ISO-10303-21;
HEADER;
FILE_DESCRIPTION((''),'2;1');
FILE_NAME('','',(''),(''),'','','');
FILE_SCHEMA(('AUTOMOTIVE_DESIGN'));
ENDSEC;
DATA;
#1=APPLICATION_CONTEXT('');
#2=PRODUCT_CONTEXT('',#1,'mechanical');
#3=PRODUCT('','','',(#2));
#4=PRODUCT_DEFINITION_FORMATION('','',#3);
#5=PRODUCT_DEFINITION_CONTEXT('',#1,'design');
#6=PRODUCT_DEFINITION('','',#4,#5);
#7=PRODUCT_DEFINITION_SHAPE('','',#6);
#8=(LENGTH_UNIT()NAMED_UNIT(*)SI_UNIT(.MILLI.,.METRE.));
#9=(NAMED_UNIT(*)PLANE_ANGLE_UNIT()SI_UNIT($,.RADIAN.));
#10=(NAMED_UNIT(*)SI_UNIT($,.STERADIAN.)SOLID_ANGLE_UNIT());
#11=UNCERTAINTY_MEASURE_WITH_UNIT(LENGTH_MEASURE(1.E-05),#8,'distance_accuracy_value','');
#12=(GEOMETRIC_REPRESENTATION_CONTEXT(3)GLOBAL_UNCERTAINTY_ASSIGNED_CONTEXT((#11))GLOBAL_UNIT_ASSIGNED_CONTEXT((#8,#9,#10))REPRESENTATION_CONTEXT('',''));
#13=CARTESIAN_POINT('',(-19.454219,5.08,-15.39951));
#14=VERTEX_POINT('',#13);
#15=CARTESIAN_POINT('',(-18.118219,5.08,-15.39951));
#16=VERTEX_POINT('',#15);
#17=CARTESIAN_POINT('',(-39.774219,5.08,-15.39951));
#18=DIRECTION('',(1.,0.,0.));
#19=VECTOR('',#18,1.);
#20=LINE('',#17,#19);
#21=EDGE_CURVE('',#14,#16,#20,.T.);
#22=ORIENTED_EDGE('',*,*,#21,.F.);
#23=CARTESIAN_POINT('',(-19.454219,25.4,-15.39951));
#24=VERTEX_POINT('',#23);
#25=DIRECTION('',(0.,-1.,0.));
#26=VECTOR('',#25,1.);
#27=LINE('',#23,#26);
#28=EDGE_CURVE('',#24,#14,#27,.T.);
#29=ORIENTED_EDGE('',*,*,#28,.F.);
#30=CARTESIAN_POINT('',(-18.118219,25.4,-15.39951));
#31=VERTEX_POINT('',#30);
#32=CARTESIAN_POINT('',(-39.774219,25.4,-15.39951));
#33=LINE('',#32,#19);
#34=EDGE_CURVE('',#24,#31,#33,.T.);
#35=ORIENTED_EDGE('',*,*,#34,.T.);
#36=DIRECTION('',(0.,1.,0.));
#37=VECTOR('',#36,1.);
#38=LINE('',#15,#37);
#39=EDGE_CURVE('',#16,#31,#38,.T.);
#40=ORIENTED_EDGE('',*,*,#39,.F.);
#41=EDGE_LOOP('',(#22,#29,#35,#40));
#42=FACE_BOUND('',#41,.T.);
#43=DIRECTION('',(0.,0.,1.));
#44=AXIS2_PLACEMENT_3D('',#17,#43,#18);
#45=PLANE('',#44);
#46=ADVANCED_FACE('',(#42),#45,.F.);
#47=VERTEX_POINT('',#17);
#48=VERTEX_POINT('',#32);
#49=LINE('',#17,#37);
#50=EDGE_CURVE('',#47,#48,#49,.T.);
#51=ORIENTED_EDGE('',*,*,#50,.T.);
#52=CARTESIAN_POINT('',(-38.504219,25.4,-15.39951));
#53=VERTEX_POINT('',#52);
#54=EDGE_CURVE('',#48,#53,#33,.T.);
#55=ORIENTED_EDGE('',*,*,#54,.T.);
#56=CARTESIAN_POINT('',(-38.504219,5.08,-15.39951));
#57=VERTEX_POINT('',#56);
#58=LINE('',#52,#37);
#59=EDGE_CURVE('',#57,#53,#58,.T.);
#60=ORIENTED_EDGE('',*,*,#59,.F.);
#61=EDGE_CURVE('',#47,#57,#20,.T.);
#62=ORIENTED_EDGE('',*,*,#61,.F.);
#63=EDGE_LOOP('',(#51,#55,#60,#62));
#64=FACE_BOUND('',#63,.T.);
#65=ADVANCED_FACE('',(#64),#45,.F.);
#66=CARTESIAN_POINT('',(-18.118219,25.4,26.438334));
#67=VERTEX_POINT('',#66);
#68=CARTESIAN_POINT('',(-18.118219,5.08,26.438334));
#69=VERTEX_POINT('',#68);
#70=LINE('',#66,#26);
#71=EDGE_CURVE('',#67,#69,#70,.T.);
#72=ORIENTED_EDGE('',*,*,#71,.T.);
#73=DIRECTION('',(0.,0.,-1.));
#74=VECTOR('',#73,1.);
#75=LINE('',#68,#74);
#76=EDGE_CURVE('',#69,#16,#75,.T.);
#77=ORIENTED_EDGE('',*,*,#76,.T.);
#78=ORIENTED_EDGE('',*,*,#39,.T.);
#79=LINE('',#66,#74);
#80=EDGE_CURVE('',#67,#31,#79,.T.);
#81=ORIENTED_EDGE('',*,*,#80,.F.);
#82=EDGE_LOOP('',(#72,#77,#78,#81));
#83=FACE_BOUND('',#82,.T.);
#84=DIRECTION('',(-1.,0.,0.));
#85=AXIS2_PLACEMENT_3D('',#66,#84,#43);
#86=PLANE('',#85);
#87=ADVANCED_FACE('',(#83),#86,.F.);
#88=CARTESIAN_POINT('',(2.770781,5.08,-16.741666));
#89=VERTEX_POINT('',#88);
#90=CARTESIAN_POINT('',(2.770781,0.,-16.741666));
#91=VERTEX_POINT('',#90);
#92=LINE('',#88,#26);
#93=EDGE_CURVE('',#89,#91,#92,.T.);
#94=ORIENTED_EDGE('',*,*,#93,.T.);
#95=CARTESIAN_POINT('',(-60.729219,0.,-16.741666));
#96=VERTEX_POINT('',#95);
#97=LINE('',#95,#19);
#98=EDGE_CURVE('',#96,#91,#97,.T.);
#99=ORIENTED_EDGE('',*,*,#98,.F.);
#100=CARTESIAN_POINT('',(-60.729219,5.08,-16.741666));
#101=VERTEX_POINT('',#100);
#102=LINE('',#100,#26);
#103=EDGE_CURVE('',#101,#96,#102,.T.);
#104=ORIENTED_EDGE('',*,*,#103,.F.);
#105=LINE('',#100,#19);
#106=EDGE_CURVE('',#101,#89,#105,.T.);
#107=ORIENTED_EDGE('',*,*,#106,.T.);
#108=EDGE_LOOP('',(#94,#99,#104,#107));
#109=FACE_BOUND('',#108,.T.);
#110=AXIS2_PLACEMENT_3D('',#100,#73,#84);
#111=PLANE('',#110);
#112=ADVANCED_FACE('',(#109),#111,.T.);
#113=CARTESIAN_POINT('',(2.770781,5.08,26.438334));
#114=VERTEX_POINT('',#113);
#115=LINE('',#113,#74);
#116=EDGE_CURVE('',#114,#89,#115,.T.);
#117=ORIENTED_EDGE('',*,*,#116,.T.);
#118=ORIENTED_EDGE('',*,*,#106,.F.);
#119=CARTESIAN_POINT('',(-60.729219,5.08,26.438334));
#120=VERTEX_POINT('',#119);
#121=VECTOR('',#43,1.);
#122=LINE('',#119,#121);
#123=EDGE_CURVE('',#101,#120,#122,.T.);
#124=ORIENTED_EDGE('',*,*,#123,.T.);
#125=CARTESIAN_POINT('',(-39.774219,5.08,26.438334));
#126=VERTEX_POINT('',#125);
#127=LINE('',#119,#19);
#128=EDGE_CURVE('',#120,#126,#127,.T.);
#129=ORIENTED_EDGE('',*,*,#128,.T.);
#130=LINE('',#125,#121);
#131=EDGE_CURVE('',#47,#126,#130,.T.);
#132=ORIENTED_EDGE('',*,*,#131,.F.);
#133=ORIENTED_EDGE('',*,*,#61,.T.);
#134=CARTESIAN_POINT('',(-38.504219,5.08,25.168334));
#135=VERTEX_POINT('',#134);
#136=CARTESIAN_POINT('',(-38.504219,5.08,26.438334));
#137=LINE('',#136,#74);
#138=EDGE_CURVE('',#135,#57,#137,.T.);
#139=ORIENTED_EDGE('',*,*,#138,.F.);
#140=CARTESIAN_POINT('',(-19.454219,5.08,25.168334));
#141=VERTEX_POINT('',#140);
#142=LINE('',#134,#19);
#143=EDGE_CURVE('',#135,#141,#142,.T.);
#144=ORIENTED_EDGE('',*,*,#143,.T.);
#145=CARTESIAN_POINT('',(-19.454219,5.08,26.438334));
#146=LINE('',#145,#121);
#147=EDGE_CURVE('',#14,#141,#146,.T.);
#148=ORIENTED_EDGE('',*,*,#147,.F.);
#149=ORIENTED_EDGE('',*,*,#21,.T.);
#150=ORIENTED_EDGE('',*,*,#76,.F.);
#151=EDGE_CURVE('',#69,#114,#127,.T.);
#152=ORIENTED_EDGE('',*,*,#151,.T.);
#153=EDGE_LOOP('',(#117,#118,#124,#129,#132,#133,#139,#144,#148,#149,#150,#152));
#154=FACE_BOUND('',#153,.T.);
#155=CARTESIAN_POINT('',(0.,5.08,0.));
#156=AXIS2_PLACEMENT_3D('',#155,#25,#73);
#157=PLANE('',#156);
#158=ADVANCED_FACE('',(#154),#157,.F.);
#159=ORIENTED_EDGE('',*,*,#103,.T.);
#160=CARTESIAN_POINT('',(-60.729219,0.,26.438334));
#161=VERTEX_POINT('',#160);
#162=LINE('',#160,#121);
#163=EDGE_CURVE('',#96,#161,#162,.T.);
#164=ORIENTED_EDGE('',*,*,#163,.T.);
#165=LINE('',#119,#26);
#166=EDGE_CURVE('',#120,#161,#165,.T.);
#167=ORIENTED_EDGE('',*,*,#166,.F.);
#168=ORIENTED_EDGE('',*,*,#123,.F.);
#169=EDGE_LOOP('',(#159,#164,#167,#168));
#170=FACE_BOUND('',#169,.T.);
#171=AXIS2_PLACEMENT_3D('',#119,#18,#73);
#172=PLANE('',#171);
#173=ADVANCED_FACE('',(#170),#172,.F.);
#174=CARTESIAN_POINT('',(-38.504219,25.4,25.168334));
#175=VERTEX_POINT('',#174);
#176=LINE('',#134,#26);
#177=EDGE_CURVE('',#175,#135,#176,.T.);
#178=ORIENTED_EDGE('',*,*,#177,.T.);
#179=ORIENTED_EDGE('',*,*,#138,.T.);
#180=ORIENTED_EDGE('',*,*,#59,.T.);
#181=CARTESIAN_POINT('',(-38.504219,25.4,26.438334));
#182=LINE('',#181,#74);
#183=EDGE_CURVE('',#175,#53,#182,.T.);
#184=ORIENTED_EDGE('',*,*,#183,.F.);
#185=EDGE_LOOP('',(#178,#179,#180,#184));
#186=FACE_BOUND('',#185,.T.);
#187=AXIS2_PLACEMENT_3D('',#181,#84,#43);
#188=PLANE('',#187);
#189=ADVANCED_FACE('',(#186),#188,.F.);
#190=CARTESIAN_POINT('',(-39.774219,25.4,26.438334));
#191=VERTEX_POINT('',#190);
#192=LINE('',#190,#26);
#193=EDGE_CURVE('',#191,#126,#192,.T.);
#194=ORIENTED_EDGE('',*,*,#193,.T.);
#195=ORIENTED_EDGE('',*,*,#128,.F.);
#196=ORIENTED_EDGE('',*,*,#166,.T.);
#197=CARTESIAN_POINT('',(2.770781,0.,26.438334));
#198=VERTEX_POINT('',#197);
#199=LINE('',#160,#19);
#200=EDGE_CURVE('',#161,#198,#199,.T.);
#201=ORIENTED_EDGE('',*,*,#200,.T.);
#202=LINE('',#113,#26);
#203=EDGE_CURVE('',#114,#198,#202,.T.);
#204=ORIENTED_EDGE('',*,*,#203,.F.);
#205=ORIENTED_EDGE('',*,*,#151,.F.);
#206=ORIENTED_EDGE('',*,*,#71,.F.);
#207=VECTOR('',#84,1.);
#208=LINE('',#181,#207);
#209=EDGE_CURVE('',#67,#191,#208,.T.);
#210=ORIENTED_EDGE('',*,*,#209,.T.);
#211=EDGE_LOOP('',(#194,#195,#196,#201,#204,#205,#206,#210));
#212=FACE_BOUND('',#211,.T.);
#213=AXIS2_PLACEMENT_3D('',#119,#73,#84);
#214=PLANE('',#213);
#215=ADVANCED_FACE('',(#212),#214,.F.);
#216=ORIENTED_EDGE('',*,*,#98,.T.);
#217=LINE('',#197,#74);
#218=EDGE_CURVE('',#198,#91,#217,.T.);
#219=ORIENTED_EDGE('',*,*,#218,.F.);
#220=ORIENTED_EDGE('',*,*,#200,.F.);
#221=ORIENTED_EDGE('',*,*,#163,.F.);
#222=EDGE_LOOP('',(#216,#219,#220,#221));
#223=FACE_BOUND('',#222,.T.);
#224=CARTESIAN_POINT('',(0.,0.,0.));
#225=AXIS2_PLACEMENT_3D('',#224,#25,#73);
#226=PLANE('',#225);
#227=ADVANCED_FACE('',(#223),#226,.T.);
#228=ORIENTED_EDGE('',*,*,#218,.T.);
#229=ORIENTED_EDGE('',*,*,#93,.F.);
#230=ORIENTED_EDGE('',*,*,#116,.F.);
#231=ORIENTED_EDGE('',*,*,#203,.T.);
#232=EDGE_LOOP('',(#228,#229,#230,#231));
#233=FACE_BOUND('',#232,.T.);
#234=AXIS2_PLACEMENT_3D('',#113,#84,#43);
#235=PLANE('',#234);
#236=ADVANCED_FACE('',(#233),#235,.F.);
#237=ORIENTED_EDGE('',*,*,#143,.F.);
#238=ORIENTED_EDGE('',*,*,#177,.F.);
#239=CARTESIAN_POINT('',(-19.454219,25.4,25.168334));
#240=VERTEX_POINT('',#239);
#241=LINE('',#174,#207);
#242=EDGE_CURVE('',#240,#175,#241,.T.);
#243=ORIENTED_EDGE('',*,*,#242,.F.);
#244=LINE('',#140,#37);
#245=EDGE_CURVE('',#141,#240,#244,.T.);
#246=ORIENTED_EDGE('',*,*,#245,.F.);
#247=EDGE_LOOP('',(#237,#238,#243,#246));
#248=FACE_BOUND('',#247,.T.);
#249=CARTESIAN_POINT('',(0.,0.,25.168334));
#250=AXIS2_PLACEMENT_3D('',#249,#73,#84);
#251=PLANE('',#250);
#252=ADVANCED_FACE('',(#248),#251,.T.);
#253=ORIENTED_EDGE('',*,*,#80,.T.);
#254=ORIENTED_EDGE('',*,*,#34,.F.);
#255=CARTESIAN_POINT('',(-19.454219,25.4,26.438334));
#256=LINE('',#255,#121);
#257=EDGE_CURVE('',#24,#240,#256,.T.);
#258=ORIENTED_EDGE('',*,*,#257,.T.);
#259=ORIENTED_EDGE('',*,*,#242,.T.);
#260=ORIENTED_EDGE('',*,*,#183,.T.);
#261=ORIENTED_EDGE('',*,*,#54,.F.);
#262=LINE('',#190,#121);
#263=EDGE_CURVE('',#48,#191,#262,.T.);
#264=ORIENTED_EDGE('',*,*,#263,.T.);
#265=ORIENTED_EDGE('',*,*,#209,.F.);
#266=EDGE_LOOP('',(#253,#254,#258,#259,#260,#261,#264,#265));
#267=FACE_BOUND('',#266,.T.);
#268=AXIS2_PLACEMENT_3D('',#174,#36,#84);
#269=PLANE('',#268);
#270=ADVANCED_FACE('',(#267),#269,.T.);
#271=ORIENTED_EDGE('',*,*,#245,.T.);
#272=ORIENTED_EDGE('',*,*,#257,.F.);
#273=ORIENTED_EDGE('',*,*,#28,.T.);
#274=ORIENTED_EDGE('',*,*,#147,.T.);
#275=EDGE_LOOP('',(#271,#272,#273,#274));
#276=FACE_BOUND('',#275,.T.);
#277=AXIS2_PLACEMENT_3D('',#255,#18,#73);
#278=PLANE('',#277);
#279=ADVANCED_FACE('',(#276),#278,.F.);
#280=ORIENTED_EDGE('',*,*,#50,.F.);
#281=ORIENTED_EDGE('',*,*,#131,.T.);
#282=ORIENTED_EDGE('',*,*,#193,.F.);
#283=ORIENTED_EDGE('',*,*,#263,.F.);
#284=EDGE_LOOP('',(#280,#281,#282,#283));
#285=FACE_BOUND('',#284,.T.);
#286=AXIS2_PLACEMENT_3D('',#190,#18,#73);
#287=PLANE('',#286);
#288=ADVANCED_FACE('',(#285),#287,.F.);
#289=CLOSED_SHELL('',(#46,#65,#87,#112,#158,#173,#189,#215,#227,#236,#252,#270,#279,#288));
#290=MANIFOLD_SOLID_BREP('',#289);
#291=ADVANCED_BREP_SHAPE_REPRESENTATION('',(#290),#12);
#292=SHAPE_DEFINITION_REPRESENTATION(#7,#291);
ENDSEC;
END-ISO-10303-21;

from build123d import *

# Parameters (mm, degrees)
SKETCH1_W           = 63.5
SKETCH1_H           = 21.59
BOSS_EXTRUDE1_DEPTH = 5.08
SKETCH2_W           = 19.05
SKETCH2_H           = 20.32
BOSS_EXTRUDE2_DEPTH = 1.27
SKETCH3_W           = 1.27
SKETCH3_H           = 21.59
BOSS_EXTRUDE3_DEPTH = 20.32
SKETCH4_W           = 1.336000662
SKETCH4_H           = 43.13668157
BOSS_EXTRUDE4_DEPTH = 20.32
SKETCH5_W           = 10.16
SKETCH5_H           = 20.215193183
CUT_EXTRUDE2_DEPTH  = 1.27
SKETCH6_W           = 21.656000662
SKETCH6_H           = 1.342156596
CUT_EXTRUDE3_DEPTH  = 20.32


with BuildPart() as part:
    # Sketch1 → Boss-Extrude1 (new body)
    with BuildSketch(Plane(origin=(0, 0, 0), x_dir=(1, 0, 0), z_dir=(0, 1, 0))):
        with Locations((-28.979219315, -15.643333637)):
            Rectangle(SKETCH1_W, SKETCH1_H)
    boss_extrude1 = extrude(amount=BOSS_EXTRUDE1_DEPTH)

    # Sketch2 → Boss-Extrude2 (add)
    with BuildSketch(Plane.XY.offset(26.438333637)):
        with Locations((-28.979219315, 15.24)):
            Rectangle(SKETCH2_W, SKETCH2_H)
    boss_extrude2 = extrude(amount=-BOSS_EXTRUDE2_DEPTH)

    # Sketch3 → Boss-Extrude3 (add)
    with BuildSketch(Plane(origin=(0, 5.08, 0), x_dir=(1, 0, 0), z_dir=(0, 1, 0))):
        with Locations((-39.139219315, -15.643333637)):
            Rectangle(SKETCH3_W, SKETCH3_H)
    boss_extrude3 = extrude(amount=BOSS_EXTRUDE3_DEPTH)

    # Mirror2: Boss-Extrude1, Boss-Extrude2, Boss-Extrude3 across plane
    add(boss_extrude1.mirror(Plane(origin=(-60.729219315, 5.08, 4.848333637), x_dir=(1, 0, 0), z_dir=(0, 0, 1))))
    add(boss_extrude2.mirror(Plane(origin=(-60.729219315, 5.08, 4.848333637), x_dir=(1, 0, 0), z_dir=(0, 0, 1))))
    add(boss_extrude3.mirror(Plane(origin=(-60.729219315, 5.08, 4.848333637), x_dir=(1, 0, 0), z_dir=(0, 0, 1))))

    # Sketch4 → Boss-Extrude4 (add)
    with BuildSketch(Plane(origin=(0, 5.08, 0), x_dir=(1, 0, 0), z_dir=(0, 1, 0))):
        with Locations((-18.786218984, -4.869992852)):
            Rectangle(SKETCH4_W, SKETCH4_H)
    extrude(amount=BOSS_EXTRUDE4_DEPTH)

    # Sketch5 → Cut-Extrude2 (cut)
    with BuildSketch(Plane(origin=(0, 0, -16.741666363), x_dir=(-1, 0, 0), z_dir=(0, 0, -1))):
        with Locations((29.613387645, 15.279515477)):
            Rectangle(SKETCH5_W, SKETCH5_H)
    extrude(amount=-CUT_EXTRUDE2_DEPTH, mode=Mode.SUBTRACT)

    # Sketch6 → Cut-Extrude3 (cut)
    with BuildSketch(Plane(origin=(0, 25.4, 0), x_dir=(1, 0, 0), z_dir=(0, 1, 0))):
        with Locations((-28.946218984, 16.070588065)):
            Rectangle(SKETCH6_W, SKETCH6_H)
    extrude(amount=-CUT_EXTRUDE3_DEPTH, mode=Mode.SUBTRACT)


solid = part.part
